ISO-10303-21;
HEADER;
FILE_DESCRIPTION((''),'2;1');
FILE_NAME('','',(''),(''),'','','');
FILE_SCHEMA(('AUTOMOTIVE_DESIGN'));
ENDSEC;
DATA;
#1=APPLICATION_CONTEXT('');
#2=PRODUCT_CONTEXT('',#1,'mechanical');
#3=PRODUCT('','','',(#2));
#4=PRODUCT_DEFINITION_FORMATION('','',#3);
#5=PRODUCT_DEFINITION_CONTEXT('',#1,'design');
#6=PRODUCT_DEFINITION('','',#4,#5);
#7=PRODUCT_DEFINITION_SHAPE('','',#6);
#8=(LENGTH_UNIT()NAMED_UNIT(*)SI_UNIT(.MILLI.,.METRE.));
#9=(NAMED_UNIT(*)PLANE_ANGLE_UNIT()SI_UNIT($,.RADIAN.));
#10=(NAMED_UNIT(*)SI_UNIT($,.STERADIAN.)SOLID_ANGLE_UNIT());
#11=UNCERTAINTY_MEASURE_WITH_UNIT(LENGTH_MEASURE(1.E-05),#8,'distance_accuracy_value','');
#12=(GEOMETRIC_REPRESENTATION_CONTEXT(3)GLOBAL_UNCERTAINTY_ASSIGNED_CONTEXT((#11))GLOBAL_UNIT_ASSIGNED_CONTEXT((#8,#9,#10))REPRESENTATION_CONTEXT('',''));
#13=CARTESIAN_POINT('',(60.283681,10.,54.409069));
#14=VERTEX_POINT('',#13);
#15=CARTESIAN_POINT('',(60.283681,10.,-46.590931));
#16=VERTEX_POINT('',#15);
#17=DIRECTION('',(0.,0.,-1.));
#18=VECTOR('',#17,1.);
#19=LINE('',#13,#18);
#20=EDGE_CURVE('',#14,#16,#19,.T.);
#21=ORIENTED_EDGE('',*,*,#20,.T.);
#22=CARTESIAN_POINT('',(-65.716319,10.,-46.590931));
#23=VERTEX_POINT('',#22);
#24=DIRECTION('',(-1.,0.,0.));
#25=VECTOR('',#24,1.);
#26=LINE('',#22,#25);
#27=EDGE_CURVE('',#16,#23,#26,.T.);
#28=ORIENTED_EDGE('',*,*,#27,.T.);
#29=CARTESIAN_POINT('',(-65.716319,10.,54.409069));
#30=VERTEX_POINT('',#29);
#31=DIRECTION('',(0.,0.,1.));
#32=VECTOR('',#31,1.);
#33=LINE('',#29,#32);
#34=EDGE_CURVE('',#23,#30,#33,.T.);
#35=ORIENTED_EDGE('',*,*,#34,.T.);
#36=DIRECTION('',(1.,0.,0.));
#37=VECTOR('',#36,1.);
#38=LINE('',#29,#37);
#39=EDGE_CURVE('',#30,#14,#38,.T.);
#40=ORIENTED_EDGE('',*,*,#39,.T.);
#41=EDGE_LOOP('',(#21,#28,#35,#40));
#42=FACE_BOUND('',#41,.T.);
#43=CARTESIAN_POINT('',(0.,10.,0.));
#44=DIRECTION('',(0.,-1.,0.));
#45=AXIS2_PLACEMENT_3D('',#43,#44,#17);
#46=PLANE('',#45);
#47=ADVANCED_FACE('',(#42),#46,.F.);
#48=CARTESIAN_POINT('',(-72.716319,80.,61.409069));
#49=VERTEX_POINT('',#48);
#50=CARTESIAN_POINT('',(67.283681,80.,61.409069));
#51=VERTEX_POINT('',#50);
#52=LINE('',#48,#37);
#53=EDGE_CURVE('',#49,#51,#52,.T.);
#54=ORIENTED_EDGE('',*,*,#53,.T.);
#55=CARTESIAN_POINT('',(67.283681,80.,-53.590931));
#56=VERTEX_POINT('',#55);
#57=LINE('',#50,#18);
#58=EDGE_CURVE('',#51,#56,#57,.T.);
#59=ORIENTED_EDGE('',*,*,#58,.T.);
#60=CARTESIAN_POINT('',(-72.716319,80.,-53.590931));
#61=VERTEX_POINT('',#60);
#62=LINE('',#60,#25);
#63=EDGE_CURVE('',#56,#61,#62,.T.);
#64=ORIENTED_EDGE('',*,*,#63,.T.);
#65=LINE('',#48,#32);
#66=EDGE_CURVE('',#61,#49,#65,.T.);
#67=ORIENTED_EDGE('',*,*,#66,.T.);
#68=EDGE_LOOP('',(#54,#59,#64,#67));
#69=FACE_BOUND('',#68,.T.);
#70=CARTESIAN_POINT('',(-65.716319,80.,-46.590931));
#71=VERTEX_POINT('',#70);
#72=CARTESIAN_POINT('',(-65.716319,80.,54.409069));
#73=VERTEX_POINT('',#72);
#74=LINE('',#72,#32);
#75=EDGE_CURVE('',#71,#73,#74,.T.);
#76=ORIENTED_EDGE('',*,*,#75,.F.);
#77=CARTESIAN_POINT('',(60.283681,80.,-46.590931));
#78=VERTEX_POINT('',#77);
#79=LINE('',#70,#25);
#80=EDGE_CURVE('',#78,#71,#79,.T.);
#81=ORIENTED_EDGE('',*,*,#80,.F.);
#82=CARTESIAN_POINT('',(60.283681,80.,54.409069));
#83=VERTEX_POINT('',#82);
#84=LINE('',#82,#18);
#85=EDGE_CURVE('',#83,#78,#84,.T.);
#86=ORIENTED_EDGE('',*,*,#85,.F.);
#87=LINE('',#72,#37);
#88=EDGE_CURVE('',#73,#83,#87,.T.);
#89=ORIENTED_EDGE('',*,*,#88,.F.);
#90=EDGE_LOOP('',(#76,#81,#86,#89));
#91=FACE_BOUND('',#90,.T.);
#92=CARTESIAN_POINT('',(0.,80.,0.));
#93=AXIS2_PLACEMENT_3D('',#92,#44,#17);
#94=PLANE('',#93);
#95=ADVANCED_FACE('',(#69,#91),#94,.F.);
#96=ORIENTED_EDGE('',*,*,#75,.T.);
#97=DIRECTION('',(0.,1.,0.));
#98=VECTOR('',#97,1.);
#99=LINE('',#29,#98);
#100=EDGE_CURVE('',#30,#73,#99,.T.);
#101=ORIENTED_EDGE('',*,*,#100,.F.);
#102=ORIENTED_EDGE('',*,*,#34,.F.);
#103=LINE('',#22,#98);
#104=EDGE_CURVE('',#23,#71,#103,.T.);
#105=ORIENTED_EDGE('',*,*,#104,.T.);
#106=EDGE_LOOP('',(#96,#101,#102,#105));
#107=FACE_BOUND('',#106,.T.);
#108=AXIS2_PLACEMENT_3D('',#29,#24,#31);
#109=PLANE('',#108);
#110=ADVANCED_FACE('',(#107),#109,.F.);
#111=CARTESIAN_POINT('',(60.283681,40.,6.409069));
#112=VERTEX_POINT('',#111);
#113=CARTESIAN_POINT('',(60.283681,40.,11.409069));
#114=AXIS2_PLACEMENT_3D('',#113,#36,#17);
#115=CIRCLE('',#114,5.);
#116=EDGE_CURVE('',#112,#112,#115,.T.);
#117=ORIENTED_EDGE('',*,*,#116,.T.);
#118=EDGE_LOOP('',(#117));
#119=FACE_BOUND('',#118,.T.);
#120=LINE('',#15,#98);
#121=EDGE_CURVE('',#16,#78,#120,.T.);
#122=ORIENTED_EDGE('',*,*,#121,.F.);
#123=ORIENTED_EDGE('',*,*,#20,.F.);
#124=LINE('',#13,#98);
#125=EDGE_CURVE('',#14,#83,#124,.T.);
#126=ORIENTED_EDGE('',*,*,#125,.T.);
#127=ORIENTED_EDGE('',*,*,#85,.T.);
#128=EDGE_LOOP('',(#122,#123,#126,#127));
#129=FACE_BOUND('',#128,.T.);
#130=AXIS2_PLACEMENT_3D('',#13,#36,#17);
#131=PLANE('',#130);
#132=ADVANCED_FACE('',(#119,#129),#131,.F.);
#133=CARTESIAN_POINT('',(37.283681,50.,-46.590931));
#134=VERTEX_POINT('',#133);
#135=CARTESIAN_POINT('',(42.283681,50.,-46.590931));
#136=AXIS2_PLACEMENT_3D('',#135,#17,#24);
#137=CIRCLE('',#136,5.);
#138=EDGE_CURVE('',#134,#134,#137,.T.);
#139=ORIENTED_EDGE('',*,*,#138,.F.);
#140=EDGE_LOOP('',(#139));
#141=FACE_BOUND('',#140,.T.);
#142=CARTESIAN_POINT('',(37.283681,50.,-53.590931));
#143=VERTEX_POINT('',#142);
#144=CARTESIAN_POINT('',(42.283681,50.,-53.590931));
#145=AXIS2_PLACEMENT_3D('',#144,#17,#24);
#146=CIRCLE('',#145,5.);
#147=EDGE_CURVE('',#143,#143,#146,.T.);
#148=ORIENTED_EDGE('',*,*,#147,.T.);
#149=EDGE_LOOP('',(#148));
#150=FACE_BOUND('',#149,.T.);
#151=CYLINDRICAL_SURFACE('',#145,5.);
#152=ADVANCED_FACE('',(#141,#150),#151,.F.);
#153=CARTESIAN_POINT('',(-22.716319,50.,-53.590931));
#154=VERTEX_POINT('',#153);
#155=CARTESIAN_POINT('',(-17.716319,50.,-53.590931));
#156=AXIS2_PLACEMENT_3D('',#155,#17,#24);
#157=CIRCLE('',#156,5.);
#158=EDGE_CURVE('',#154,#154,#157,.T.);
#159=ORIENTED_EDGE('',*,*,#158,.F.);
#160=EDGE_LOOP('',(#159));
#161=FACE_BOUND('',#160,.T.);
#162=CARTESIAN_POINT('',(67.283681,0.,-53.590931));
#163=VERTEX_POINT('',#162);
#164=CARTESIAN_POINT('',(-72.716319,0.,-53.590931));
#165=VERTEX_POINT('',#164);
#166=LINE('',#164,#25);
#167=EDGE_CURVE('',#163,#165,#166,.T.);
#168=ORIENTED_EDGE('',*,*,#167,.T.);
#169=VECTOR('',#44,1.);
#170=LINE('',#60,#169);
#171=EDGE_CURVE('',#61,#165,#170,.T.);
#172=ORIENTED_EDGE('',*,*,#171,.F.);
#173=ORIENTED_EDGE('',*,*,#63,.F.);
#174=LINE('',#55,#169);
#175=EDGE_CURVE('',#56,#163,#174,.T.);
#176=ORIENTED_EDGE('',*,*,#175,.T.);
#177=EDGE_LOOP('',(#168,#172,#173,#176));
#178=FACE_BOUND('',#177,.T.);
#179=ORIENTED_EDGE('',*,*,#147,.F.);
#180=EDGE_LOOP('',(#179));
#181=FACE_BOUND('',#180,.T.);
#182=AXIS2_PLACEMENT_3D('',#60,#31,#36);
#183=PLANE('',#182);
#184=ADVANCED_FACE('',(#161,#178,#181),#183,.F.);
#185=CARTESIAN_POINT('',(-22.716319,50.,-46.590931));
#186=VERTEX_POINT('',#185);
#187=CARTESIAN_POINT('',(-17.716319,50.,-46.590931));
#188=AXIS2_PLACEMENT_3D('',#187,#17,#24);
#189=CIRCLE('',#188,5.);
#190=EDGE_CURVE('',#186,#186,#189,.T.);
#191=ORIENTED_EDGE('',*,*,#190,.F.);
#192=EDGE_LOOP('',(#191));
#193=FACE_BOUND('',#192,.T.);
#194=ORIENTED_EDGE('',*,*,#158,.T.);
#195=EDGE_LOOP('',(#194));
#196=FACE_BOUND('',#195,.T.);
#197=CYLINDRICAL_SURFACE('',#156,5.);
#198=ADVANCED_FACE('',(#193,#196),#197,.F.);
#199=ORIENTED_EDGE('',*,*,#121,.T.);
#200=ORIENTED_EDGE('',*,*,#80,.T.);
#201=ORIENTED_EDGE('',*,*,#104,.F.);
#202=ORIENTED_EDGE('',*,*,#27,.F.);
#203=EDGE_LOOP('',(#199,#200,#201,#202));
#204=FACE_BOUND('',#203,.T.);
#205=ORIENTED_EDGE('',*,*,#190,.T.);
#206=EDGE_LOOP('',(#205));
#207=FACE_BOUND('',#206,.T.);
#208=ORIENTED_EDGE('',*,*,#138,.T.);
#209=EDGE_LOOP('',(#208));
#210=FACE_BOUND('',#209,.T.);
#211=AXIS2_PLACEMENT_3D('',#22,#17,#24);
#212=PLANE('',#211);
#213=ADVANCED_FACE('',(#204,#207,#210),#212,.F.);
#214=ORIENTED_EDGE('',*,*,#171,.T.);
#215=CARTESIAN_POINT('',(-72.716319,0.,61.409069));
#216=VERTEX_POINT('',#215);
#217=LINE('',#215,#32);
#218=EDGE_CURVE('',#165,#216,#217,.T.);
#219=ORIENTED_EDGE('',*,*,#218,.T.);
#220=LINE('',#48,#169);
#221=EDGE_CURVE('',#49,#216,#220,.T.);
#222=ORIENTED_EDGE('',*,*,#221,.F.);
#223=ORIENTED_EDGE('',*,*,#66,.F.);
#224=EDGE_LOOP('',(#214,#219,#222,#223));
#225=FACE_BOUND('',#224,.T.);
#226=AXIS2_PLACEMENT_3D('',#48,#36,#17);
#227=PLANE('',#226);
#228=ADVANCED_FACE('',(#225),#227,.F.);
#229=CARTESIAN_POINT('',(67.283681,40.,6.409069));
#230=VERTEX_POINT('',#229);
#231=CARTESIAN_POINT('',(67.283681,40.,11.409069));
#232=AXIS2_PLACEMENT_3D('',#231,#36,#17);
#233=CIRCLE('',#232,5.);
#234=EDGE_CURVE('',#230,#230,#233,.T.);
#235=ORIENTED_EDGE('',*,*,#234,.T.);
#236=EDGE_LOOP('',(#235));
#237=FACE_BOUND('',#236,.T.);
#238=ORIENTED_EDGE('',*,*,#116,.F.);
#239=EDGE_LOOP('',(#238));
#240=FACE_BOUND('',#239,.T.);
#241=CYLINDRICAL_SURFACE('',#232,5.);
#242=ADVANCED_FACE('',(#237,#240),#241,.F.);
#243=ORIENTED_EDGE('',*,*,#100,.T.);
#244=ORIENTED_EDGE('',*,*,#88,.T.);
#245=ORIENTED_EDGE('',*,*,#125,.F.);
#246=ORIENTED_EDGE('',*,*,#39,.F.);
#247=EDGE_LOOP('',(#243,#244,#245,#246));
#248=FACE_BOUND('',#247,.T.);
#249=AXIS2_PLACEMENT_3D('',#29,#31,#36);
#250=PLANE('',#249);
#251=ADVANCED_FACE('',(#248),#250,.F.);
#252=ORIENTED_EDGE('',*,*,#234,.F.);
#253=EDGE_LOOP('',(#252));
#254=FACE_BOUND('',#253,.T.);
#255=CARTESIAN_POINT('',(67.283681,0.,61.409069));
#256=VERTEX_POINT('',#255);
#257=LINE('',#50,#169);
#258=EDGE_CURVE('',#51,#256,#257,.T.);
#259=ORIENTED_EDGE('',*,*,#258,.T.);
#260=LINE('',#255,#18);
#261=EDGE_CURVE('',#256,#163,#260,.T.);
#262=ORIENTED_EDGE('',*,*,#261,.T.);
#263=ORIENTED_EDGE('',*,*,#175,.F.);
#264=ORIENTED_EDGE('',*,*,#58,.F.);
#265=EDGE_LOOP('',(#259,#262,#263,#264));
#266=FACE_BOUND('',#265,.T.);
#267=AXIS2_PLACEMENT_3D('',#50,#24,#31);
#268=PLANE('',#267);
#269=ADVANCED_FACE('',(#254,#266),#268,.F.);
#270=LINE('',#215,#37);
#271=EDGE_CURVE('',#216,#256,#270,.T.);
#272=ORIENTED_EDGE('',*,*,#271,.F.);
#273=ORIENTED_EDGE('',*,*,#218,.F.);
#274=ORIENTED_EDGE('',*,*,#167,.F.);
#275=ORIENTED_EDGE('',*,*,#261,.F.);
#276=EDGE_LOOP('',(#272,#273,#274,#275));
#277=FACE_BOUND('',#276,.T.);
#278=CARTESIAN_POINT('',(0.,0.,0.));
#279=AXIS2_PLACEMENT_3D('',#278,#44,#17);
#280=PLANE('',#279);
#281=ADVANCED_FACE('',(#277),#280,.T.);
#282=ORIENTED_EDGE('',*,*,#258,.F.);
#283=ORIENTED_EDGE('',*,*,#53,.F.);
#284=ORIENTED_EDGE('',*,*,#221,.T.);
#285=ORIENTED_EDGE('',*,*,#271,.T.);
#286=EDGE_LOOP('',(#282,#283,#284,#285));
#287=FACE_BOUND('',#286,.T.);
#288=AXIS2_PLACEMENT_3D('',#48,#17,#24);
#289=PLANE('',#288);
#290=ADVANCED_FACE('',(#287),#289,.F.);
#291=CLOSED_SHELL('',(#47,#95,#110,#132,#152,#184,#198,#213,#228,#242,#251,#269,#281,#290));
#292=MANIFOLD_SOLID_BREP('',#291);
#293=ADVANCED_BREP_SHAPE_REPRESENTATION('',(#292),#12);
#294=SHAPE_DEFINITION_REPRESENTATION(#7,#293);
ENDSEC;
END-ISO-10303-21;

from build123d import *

# Parameters (mm, degrees)
SKETCH1_W                        = 140
SKETCH1_H                        = 115
BOSS_EXTRUDE1_DEPTH              = 80
SKETCH2_W                        = 126
SKETCH2_H                        = 101
CUT_EXTRUDE1_DEPTH               = 70
M10X1_0_TAPPED_HOLE1_D           = 9
M10X1_0_TAPPED_HOLE1_DEPTH       = 23
M10X1_0_TAPPED_HOLE1_CBORE_D     = 10
M10X1_0_TAPPED_HOLE1_CBORE_DEPTH = 20
M10X1_0_TAPPED_HOLE1_TIP         = 2.703872786
M10X1_0_TAPPED_HOLE2_D           = 9
M10X1_0_TAPPED_HOLE2_DEPTH       = 23
M10X1_0_TAPPED_HOLE2_CBORE_D     = 10
M10X1_0_TAPPED_HOLE2_CBORE_DEPTH = 20
M10X1_0_TAPPED_HOLE2_TIP         = 2.703872786


with BuildPart() as part:
    # Sketch1 → Boss-Extrude1 (new body)
    with BuildSketch(Plane(origin=(0, 0, 0), x_dir=(1, 0, 0), z_dir=(0, 1, 0))):
        with Locations((-2.716319444, -3.909068683)):
            Rectangle(SKETCH1_W, SKETCH1_H)
    extrude(amount=BOSS_EXTRUDE1_DEPTH)

    # Sketch2 → Cut-Extrude1 (cut)
    with BuildSketch(Plane(origin=(0, 80, 0), x_dir=(1, 0, 0), z_dir=(0, 1, 0))):
        with Locations((-2.716319444, -3.909068683)):
            Rectangle(SKETCH2_W, SKETCH2_H)
    extrude(amount=-CUT_EXTRUDE1_DEPTH, mode=Mode.SUBTRACT)

    # M10x1.0 Tapped Hole1
    with Locations(Plane(origin=(-17.716319444, 50, -53.590931317), x_dir=(-1, 0, 0), z_dir=(0, 0, -1))):
        with Locations((0, 0), (-60, 0)):
            CounterBoreHole(M10X1_0_TAPPED_HOLE1_D / 2, M10X1_0_TAPPED_HOLE1_CBORE_D / 2, M10X1_0_TAPPED_HOLE1_CBORE_DEPTH, depth=M10X1_0_TAPPED_HOLE1_DEPTH)
            with Locations((0, 0, -(M10X1_0_TAPPED_HOLE1_DEPTH + M10X1_0_TAPPED_HOLE1_TIP / 2))):  # 118° drill point
                Cone(0, M10X1_0_TAPPED_HOLE1_D / 2, M10X1_0_TAPPED_HOLE1_TIP, mode=Mode.SUBTRACT)

    # M10x1.0 Tapped Hole2
    with Locations(Plane(origin=(67.283680556, 40, 11.409068683), x_dir=(0, 0, 1), z_dir=(1, 0, 0))):
        with Locations((0, 0)):
            CounterBoreHole(M10X1_0_TAPPED_HOLE2_D / 2, M10X1_0_TAPPED_HOLE2_CBORE_D / 2, M10X1_0_TAPPED_HOLE2_CBORE_DEPTH, depth=M10X1_0_TAPPED_HOLE2_DEPTH)
            with Locations((0, 0, -(M10X1_0_TAPPED_HOLE2_DEPTH + M10X1_0_TAPPED_HOLE2_TIP / 2))):  # 118° drill point
                Cone(0, M10X1_0_TAPPED_HOLE2_D / 2, M10X1_0_TAPPED_HOLE2_TIP, mode=Mode.SUBTRACT)


solid = part.part
